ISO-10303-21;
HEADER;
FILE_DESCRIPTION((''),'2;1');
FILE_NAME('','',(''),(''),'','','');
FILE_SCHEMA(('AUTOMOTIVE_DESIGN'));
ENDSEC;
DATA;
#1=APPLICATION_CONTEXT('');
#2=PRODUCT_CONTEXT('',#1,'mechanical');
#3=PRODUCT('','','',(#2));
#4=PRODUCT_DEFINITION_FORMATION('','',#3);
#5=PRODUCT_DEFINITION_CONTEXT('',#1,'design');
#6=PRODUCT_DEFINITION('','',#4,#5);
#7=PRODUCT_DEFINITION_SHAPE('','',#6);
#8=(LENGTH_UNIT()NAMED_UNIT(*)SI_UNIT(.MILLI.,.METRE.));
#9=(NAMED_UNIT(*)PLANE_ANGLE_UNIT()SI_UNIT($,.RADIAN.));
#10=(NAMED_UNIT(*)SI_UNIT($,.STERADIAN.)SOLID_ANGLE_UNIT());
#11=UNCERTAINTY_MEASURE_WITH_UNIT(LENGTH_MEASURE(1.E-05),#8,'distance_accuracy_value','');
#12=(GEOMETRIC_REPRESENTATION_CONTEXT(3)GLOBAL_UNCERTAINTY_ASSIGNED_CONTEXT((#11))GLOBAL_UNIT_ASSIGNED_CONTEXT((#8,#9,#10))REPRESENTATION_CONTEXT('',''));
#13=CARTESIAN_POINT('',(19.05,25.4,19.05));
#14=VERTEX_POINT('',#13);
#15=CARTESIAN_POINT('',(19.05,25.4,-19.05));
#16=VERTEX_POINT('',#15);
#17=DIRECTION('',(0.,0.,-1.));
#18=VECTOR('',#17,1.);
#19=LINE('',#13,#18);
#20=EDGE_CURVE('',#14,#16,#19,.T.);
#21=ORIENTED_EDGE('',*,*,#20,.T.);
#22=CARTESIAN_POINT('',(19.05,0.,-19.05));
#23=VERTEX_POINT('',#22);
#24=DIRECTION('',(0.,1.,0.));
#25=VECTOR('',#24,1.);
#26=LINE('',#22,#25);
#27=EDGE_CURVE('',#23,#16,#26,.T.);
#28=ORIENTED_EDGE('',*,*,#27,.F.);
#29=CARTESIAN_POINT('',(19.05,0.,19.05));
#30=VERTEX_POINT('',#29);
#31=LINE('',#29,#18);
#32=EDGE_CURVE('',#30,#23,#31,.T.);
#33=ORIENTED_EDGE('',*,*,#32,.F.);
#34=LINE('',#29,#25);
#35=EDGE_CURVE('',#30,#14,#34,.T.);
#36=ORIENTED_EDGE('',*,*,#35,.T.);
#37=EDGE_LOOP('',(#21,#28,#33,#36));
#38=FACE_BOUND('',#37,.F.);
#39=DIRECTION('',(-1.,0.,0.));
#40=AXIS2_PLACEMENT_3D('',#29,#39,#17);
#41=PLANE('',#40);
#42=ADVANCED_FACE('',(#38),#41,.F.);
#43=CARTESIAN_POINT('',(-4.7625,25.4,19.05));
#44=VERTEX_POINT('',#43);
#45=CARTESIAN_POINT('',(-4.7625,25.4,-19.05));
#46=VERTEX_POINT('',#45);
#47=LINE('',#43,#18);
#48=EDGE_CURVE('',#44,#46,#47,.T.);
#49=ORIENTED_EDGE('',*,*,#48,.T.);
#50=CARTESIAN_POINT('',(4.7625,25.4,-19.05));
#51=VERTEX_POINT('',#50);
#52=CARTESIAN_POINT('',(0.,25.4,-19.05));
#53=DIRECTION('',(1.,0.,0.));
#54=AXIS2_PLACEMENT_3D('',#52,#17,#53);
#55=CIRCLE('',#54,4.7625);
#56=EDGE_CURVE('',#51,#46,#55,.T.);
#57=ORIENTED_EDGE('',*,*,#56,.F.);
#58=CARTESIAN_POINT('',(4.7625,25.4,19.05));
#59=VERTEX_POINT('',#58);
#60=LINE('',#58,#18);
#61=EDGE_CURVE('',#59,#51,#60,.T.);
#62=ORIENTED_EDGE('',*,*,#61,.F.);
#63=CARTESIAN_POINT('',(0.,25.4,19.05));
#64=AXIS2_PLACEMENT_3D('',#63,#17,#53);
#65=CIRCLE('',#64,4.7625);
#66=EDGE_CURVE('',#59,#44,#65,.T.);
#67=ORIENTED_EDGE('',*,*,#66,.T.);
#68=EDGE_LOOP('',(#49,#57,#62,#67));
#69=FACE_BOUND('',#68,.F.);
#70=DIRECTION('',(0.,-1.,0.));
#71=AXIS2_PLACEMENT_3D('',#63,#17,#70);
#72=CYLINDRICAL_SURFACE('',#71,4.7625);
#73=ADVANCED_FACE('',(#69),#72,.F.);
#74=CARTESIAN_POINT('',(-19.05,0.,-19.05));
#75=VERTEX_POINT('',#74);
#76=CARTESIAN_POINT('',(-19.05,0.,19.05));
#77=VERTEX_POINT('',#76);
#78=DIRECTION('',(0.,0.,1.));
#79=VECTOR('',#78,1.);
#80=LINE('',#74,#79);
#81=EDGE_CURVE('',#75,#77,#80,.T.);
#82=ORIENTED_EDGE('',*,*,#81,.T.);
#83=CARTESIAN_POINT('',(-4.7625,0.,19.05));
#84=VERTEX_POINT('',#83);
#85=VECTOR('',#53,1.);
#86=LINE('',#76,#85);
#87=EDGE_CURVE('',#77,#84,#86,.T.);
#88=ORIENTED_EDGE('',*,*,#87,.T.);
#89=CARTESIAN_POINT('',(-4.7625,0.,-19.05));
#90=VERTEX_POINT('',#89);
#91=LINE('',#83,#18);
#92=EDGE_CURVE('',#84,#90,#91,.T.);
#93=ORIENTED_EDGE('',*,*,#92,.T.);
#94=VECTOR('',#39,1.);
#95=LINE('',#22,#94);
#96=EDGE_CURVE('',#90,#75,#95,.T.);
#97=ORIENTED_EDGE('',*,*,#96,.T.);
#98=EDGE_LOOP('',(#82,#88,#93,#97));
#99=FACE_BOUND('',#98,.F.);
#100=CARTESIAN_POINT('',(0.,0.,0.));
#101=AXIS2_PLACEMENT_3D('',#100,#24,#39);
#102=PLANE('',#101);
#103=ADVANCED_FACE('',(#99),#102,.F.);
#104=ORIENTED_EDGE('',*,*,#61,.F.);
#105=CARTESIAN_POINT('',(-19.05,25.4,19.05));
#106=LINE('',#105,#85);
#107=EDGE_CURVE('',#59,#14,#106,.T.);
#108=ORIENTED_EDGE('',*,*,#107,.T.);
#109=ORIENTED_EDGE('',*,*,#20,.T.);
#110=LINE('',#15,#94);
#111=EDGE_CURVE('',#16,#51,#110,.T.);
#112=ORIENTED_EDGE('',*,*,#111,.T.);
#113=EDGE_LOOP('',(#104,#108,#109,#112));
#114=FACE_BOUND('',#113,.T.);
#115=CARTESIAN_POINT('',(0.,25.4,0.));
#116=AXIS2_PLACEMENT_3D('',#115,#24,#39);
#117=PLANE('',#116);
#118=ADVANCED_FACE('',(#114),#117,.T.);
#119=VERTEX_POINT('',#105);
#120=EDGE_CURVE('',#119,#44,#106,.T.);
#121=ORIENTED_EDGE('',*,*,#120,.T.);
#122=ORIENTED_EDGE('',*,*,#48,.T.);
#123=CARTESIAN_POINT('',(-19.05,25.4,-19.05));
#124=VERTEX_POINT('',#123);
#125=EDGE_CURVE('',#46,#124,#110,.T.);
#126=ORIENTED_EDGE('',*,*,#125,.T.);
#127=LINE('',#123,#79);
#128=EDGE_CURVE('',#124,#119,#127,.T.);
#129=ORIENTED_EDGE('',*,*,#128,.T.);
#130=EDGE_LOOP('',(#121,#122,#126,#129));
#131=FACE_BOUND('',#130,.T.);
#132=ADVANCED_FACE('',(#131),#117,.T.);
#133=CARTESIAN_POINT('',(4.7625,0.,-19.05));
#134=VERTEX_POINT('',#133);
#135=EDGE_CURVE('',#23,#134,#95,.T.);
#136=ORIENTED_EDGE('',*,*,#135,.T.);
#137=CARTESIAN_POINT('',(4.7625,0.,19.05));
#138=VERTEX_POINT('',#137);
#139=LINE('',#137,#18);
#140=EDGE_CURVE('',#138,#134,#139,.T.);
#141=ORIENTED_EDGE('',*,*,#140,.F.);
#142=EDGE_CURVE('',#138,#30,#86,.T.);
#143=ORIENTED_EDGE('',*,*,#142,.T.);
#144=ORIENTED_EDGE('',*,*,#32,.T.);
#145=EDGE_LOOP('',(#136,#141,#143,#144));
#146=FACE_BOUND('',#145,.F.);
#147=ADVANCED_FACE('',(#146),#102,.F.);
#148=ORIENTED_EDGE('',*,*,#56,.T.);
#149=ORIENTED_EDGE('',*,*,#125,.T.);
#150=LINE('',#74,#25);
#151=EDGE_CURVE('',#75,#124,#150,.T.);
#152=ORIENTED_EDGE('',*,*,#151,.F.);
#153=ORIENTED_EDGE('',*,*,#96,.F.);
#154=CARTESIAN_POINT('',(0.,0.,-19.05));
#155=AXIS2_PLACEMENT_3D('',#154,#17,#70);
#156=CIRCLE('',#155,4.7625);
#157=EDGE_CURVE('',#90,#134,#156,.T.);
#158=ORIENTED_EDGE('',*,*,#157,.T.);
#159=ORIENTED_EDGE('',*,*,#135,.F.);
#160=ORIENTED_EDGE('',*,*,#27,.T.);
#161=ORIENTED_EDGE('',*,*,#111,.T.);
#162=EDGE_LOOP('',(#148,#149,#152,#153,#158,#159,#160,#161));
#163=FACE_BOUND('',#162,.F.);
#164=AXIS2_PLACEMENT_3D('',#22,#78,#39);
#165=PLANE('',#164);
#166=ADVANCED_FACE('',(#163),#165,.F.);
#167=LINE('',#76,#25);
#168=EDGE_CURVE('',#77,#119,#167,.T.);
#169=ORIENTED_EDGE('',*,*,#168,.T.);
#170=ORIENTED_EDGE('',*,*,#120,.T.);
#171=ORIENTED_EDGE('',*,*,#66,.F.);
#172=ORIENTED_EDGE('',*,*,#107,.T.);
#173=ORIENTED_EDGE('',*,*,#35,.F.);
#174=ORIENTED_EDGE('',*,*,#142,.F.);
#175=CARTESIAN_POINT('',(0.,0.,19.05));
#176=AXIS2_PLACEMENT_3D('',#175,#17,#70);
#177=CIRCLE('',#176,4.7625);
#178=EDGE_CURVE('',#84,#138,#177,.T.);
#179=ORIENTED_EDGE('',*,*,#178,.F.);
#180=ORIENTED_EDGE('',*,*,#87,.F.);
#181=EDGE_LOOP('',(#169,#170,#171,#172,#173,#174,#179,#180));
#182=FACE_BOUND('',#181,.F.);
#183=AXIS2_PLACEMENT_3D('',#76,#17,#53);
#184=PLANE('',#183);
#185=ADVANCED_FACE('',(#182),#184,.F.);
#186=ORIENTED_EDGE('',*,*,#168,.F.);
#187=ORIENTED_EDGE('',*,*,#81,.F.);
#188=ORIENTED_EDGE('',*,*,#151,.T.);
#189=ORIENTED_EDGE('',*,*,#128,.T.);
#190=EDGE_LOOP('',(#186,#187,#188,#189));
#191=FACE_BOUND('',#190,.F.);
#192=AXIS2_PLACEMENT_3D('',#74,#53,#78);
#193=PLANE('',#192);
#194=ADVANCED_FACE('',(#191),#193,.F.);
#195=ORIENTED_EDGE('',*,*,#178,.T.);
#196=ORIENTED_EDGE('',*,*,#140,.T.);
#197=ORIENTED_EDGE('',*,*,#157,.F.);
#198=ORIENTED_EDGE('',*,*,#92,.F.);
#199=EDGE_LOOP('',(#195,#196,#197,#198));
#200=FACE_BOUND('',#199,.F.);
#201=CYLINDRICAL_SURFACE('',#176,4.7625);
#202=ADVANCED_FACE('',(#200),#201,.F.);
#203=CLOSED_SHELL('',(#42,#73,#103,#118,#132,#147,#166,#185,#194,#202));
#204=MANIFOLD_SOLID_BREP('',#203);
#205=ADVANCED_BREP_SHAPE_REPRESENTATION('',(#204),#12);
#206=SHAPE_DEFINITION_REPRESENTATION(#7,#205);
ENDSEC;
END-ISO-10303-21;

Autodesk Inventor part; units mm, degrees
ref_plane "YZ Plane" through (0, 0, 0) normal (1, 0, 0) x (0, 1, 0)
ref_plane "XZ Plane" through (0, 0, 0) normal (0, 1, 0) x (-1, 0, 0)
ref_plane "XY Plane" through (0, 0, 0) normal (0, 0, 1) x (1, 0, 0)
sketch "Sketch1" plane through (0, 0, 0) normal (0, 1, 0) x (-1, 0, 0)
  line L0 (-19.05, 19.05) -> (-19.05, -19.05)
  line L1 (-19.05, -19.05) -> (19.05, -19.05)
  line L2 (19.05, -19.05) -> (19.05, 19.05)
  line L3 (19.05, 19.05) -> (-19.05, 19.05)
  line L4 (-19.05, 19.05) -> (19.05, -19.05) construction
  line L5 (-19.05, -19.05) -> (19.05, 19.05) construction
  point P0 (0, 0)
  dimension "d4" = 38.1
extrude "Extrusion1" add sketch "Sketch1" along normal blind 25.4
sketch "Sketch3" plane through (-19.05, 0, 19.05) normal (0, 0, 1) x (1, 0, 0)
  line L0 (38.1, 25.4) -> (0, 25.4) construction
  point P0 (19.05, 0)
  point P1 (19.05, 25.4)
  point P2 (19.05, 0)
hole "Hole1" at (0, 25.4, 19.05) at (0, 0, 19.05) direction (0, 0, -1) diameter 9.525 end through all
equation "\"d4\" = width"
equation "\"d6\" = deltaBottomToTop"
equation "\"d9\" = bottomHoleDiam"
equation "\"bottomHoleDiam\" = 9.525"
equation "\"width\" = 38.1"
equation "\"deltaBottomToTop\" = 25.4"
equation "\"d0\" = width"
equation "\"d1\" = heightOfBottomHole"
equation "\"d2\" = 0"
equation "\"d3\" = bottomHoleDiam"
equation "\"d5\" = 0"
equation "\"height\" = deltaBottomToTop + heightOfBottomHole + heightOfTopHole"
equation "\"heightOfBottomHole\" = 11.1125"
equation "\"heightOfTopHole\" = 11.1125"
properties part number "MiddleOfSquareSupport"
